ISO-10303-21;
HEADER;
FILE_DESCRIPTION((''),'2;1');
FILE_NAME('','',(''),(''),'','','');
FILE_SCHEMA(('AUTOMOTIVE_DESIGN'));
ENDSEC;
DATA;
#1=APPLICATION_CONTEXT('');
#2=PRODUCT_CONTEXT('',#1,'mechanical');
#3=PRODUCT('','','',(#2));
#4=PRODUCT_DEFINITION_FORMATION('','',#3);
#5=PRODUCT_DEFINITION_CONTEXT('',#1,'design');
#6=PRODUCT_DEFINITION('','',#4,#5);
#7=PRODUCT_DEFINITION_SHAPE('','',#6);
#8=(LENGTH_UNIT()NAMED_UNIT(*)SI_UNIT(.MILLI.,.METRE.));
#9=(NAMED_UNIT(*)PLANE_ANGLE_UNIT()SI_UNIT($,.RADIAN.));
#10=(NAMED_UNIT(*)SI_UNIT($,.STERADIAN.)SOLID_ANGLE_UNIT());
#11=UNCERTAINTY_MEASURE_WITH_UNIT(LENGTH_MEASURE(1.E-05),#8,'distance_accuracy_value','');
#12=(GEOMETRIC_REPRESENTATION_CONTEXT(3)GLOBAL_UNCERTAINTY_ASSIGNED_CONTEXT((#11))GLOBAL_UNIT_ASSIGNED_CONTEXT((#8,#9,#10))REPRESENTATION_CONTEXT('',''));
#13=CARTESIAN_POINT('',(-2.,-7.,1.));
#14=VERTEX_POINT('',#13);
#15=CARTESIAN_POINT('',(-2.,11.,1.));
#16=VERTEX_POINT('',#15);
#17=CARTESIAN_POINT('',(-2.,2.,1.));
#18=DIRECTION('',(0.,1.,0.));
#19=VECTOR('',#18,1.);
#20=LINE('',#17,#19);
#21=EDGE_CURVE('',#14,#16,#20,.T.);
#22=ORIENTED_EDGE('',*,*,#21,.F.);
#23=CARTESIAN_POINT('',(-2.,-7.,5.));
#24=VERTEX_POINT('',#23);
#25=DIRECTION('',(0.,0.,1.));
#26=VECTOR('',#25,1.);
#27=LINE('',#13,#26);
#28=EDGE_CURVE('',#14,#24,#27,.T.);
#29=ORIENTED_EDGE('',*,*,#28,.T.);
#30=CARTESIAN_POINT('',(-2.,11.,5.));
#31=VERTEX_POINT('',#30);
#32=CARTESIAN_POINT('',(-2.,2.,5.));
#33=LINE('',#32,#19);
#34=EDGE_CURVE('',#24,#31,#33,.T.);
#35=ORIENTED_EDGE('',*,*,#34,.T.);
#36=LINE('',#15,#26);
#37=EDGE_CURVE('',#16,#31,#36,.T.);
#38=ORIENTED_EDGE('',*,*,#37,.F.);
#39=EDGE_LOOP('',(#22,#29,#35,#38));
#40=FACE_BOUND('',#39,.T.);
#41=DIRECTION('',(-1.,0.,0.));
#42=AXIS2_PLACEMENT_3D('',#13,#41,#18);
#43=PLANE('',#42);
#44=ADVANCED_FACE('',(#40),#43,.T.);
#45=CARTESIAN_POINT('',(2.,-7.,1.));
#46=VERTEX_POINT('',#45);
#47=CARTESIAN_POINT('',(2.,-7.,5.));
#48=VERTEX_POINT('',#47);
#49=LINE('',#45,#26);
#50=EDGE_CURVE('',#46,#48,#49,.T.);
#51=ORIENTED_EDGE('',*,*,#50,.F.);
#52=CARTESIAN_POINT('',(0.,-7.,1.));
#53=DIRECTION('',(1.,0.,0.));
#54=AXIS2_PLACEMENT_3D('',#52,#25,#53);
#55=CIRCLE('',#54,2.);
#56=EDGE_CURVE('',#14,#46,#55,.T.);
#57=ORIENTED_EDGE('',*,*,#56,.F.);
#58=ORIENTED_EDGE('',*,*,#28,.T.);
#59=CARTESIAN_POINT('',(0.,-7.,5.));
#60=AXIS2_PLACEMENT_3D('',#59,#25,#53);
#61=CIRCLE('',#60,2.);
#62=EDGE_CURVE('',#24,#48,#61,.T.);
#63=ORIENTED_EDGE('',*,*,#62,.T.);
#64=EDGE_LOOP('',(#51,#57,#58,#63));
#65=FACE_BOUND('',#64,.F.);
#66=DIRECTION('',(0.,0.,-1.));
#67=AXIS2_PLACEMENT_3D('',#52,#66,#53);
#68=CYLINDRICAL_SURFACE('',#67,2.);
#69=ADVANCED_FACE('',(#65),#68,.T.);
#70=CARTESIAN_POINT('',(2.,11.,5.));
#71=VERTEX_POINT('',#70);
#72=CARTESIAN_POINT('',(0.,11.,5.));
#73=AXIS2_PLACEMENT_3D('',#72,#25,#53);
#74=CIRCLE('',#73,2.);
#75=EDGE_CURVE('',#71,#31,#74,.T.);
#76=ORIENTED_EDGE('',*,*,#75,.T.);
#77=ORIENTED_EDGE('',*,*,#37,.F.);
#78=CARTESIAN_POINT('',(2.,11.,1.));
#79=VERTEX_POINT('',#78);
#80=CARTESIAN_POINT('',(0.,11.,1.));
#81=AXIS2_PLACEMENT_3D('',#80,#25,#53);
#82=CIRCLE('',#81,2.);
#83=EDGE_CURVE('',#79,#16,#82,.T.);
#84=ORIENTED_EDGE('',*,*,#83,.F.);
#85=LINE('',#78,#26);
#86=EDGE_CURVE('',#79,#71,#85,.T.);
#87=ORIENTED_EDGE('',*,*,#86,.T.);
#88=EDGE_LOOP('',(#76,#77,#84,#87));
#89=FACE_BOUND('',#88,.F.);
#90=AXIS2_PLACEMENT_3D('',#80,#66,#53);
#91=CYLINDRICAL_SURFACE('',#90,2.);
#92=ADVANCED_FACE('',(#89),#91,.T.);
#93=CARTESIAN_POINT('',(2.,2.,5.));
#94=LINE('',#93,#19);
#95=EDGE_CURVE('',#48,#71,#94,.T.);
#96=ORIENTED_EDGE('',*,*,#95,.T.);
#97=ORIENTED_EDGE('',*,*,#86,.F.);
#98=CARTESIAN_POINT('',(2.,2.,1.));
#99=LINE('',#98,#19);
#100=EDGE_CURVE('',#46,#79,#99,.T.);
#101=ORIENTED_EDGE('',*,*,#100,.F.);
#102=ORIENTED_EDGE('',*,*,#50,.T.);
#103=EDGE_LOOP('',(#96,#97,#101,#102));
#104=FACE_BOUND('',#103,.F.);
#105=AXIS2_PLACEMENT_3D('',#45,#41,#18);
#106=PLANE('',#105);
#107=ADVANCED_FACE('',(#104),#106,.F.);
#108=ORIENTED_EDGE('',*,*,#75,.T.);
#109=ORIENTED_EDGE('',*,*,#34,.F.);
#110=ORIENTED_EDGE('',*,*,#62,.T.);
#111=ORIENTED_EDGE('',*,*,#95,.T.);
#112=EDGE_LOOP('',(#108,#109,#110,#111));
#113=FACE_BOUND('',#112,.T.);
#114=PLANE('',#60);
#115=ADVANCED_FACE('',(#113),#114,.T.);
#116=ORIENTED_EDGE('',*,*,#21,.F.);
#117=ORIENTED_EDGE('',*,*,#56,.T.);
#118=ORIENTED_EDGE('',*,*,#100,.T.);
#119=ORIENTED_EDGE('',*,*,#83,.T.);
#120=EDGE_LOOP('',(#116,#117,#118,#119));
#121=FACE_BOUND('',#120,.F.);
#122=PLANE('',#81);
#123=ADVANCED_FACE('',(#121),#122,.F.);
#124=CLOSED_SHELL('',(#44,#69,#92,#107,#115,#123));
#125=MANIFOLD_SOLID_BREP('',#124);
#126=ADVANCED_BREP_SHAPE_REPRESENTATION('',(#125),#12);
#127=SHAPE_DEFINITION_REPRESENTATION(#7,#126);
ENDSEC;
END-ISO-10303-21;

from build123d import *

# Parameters (mm, degrees)
CYLINDER002_R     = 2
CYLINDER002_DEPTH = 4
CYLINDER003_R     = 2
CYLINDER003_DEPTH = 4
BOX001_W          = 4
BOX001_H          = 18
BOX001_DEPTH      = 4


with BuildPart() as cilindro:
    # Cylinder002 → Cylinder002 (new body)
    with BuildSketch(Plane(origin=(0, 11, 1), x_dir=(1, 0, 0), z_dir=(0, 0, 1))):
        Circle(CYLINDER002_R)
    extrude(amount=CYLINDER002_DEPTH)


with BuildPart() as cilindro001:
    # Cylinder003 → Cylinder003 (new body)
    with BuildSketch(Plane(origin=(0, -7, 1), x_dir=(1, 0, 0), z_dir=(0, 0, 1))):
        Circle(CYLINDER003_R)
    extrude(amount=CYLINDER003_DEPTH)


with BuildPart() as fusion:
    # Box001 → Box001 (new body)
    with BuildSketch(Plane(origin=(-2, -7, 1), x_dir=(1, 0, 0), z_dir=(0, 0, 1))):
        with Locations((2, 9)):
            Rectangle(BOX001_W, BOX001_H)
    extrude(amount=BOX001_DEPTH)

    # Fusion: union Cilindro, Cilindro001
    add(cilindro.part)
    add(cilindro001.part)


solid = fusion.part
